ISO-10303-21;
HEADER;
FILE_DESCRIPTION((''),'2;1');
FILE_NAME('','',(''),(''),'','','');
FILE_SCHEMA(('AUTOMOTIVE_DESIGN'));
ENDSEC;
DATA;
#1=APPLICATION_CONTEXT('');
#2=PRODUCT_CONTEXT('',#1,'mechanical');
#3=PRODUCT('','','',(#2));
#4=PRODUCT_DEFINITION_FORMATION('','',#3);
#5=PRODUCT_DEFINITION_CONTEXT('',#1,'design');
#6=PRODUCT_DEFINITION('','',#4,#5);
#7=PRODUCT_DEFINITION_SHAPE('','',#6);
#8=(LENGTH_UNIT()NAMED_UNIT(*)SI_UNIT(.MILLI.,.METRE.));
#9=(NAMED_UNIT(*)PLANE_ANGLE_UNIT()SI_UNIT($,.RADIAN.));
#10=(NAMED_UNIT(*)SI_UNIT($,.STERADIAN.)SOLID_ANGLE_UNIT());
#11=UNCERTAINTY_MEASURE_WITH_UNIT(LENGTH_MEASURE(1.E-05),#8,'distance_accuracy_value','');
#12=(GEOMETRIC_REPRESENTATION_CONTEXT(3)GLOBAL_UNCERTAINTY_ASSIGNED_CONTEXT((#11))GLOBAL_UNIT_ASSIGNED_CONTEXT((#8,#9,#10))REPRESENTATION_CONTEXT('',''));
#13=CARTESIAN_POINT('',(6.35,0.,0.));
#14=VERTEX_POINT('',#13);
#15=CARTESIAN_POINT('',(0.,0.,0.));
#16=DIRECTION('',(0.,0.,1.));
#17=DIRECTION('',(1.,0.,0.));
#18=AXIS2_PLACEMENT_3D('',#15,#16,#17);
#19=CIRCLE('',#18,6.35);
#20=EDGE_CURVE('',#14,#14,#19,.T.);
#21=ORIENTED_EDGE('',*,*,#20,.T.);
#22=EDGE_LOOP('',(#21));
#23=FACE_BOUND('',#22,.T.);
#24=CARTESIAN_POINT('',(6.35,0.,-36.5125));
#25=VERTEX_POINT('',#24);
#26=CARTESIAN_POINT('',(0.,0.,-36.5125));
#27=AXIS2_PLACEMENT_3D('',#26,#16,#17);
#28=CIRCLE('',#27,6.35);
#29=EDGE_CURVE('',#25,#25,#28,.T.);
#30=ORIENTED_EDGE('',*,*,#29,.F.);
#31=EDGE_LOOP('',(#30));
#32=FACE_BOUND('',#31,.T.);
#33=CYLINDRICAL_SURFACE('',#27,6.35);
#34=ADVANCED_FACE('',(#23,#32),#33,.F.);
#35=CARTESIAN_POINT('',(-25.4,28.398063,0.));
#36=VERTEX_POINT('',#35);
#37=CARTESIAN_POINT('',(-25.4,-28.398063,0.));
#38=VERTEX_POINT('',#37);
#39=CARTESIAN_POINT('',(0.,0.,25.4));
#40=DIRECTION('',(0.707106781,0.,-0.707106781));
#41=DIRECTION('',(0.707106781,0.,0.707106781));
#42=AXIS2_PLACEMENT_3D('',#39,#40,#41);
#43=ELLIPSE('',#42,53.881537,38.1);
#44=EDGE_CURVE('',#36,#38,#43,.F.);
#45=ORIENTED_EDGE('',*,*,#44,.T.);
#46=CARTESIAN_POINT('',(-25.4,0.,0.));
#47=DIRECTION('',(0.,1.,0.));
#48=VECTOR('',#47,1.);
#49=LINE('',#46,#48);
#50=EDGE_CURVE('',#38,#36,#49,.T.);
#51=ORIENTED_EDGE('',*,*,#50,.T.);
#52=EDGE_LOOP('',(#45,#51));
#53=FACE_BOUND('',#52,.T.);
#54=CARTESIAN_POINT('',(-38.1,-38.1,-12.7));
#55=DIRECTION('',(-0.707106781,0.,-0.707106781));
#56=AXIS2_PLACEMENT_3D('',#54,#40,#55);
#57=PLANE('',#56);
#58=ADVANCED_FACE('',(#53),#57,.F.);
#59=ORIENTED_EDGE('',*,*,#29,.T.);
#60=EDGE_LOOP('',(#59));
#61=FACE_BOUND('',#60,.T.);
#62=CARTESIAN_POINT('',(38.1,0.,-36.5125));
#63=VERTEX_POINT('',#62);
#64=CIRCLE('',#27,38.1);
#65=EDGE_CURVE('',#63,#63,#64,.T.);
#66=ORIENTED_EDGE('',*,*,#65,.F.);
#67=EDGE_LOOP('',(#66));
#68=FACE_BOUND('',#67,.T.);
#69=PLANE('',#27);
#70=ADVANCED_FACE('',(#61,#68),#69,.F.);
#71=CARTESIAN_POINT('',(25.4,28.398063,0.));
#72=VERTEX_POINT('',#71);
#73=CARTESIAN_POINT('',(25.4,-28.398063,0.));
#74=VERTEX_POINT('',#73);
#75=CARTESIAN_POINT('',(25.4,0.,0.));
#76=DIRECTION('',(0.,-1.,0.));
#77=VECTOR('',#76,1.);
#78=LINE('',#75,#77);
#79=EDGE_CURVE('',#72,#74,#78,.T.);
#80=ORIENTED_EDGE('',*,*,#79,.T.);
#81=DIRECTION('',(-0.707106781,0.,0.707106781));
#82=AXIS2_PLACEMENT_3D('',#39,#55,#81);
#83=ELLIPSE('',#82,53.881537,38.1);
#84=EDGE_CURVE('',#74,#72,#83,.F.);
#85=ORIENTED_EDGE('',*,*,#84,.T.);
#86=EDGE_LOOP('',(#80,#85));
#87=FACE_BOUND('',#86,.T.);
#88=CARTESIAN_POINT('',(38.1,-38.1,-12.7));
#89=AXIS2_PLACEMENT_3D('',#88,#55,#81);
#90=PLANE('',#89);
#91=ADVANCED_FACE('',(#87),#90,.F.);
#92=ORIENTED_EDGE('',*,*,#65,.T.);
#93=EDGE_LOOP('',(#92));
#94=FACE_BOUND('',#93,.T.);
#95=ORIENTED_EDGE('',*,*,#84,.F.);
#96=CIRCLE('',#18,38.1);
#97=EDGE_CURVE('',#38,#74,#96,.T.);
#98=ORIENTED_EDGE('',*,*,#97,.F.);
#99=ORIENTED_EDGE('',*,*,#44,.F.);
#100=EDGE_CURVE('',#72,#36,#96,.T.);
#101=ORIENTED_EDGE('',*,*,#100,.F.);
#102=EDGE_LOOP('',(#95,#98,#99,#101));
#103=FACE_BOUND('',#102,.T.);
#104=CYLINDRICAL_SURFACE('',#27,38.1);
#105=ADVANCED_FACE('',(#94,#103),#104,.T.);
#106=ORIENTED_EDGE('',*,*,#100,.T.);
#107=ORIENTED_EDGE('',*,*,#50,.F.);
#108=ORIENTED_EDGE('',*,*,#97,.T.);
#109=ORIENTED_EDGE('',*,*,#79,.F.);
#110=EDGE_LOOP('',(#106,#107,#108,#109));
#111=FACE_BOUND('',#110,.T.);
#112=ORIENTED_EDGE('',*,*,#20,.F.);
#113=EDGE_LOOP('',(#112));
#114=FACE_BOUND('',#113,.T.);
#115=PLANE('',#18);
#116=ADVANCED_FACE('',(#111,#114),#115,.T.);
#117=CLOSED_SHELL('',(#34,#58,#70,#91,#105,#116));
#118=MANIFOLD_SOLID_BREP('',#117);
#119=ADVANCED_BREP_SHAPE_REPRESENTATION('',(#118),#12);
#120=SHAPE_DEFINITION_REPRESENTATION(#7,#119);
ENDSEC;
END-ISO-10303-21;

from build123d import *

# Parameters (mm, degrees)
SKETCH1_R               = 38.1
SKETCH1_R_2             = 6.35
BOSS_EXTRUDE1_DEPTH     = 36.5125
CUT_EXTRUDE1_DEPTH      = 66.0875
CUT_EXTRUDE1_DEPTH_BACK = 66.0875


with BuildPart() as part:
    # Sketch1 → Boss-Extrude1 (new body)
    with BuildSketch(Plane.XY):
        Circle(SKETCH1_R)
        Circle(SKETCH1_R_2, mode=Mode.SUBTRACT)
    extrude(amount=-BOSS_EXTRUDE1_DEPTH)

    # Sketch2 → Cut-Extrude1 (cut, two sides: drawn at the far end of the back side and taken through both)
    with BuildSketch(Plane(origin=(0, 0, 0), x_dir=(1, 0, 0), z_dir=(0, 1, 0)).offset(-CUT_EXTRUDE1_DEPTH_BACK)):
        Polygon((-38.1, 12.7), (-25.4, 0), (-38.1, 0), align=None)
        Polygon((38.1, 0), (25.4, 0), (38.1, 12.7), align=None)
    extrude(amount=CUT_EXTRUDE1_DEPTH + CUT_EXTRUDE1_DEPTH_BACK, mode=Mode.SUBTRACT)


solid = part.part
